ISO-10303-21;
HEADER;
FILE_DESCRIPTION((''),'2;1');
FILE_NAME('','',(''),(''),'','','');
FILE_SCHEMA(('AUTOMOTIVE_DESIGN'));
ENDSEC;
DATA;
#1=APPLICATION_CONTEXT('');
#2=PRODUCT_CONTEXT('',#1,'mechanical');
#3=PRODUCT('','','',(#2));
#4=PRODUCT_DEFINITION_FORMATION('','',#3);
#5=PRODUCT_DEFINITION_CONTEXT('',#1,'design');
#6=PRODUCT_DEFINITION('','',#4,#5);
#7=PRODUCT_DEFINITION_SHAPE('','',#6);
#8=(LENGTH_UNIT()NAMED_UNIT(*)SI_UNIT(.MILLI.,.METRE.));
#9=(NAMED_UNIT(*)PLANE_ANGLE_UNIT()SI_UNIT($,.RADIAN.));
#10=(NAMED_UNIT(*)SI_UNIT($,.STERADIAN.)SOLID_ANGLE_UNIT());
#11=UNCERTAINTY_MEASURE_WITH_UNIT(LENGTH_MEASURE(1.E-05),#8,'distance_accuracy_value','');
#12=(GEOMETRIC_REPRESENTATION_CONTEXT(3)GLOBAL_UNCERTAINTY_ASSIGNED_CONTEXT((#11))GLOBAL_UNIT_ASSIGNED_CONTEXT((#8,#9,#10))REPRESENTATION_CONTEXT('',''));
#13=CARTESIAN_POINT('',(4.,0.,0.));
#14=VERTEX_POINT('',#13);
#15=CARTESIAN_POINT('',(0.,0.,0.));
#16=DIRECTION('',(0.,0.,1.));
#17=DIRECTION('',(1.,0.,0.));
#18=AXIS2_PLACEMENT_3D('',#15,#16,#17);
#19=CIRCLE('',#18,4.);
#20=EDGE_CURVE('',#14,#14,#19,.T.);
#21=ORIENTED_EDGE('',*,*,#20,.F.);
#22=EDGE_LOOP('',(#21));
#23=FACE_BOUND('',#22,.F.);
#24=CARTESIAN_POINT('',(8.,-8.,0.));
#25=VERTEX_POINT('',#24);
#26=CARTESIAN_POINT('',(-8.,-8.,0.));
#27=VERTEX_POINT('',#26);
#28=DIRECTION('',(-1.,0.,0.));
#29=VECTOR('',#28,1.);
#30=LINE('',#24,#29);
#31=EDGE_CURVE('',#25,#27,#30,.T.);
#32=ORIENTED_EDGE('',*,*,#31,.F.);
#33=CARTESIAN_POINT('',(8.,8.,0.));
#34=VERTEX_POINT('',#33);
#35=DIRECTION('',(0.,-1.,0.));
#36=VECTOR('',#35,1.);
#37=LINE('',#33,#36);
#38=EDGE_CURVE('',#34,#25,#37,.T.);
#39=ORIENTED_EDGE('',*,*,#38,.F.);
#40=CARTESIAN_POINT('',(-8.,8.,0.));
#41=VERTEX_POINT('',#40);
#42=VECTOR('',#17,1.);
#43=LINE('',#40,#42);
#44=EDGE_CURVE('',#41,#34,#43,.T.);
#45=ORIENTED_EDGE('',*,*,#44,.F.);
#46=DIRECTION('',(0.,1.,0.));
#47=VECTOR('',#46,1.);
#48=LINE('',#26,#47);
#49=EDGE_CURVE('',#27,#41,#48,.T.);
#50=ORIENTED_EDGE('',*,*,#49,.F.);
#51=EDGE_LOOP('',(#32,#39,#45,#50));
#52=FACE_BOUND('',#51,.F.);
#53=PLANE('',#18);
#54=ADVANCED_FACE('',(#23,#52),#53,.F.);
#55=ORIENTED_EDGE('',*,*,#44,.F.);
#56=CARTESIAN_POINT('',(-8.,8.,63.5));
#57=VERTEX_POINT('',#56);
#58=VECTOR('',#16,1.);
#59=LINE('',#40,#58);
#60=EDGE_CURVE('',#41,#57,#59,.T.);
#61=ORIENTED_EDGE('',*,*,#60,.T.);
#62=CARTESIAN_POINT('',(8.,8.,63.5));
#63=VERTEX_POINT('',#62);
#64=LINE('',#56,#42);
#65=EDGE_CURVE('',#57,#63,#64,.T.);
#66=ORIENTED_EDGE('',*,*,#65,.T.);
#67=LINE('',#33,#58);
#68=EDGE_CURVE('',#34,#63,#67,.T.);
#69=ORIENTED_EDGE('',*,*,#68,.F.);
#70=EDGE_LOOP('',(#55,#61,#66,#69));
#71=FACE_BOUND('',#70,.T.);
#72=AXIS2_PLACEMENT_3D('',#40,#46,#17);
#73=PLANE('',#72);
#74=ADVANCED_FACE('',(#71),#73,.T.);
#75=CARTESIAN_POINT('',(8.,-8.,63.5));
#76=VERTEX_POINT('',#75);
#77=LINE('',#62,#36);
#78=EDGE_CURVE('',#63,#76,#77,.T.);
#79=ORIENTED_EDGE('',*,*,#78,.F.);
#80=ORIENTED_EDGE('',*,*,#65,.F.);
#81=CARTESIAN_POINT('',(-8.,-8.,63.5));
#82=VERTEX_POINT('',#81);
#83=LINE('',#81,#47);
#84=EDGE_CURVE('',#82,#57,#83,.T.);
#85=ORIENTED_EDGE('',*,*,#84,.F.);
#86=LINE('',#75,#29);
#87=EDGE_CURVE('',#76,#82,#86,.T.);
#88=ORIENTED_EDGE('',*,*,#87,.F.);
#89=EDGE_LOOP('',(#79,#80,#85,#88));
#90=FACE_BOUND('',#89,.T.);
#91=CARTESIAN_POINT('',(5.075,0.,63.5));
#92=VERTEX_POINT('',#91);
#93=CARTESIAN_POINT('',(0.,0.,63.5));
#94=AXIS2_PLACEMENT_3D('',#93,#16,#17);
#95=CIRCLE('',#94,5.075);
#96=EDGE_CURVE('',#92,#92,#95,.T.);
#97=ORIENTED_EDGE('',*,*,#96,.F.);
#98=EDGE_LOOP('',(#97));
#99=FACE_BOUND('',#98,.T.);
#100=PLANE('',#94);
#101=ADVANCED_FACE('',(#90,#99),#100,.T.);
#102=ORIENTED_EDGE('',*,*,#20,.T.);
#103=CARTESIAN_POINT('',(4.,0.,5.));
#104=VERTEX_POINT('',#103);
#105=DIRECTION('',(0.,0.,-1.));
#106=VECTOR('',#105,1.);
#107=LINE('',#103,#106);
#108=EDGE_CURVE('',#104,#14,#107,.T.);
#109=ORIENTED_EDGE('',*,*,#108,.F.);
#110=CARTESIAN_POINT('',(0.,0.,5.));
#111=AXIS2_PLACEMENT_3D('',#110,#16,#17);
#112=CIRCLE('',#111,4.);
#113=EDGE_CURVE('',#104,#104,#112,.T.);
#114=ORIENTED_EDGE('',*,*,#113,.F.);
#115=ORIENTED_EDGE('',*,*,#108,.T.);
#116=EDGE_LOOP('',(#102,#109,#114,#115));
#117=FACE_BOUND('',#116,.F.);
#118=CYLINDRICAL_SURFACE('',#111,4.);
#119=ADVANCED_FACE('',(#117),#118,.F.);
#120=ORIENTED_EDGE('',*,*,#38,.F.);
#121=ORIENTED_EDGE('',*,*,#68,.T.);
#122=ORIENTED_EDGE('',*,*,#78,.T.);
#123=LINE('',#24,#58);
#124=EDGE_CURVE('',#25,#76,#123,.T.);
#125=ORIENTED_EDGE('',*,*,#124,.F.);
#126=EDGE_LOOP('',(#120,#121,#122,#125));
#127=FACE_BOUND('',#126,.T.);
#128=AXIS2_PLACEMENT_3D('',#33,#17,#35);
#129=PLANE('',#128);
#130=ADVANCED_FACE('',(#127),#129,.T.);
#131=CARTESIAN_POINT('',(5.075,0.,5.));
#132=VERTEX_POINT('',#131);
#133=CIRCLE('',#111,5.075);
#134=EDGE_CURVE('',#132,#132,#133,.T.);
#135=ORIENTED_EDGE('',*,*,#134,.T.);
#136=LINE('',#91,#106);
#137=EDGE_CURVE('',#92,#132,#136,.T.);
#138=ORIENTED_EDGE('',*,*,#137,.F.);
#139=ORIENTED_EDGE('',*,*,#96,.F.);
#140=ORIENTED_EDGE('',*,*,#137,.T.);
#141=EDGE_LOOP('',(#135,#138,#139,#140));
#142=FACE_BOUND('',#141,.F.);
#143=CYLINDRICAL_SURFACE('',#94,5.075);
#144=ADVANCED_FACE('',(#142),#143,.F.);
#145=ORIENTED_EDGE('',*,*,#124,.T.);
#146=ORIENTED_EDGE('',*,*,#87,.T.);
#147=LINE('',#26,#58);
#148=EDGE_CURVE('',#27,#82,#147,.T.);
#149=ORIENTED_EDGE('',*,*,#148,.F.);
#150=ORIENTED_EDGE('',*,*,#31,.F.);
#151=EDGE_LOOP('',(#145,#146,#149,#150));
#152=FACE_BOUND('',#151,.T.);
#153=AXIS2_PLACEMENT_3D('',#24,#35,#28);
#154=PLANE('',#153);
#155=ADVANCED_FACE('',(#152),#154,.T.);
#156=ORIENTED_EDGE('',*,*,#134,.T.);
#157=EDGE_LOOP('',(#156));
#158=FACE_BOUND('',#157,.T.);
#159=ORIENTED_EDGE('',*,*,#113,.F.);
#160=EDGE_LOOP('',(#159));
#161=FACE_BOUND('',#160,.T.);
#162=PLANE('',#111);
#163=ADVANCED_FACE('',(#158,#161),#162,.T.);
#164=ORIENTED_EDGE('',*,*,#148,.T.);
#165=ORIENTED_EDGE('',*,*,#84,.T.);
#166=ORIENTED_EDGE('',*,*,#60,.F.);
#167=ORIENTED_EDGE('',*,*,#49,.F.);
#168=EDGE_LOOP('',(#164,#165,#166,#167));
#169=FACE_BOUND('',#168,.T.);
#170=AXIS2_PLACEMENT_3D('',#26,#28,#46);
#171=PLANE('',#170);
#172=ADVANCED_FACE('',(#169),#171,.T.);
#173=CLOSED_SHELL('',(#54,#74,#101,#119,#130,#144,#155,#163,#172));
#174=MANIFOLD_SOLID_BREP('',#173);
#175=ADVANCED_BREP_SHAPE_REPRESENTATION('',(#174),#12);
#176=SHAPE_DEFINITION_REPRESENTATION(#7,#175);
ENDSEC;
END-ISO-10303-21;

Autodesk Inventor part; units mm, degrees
ref_plane "YZ Plane" through (0, 0, 0) normal (1, 0, 0) x (0, 1, 0)
ref_plane "XZ Plane" through (0, 0, 0) normal (0, 1, 0) x (-1, 0, 0)
ref_plane "XY Plane" through (0, 0, 0) normal (0, 0, 1) x (1, 0, 0)
sketch "Sketch1" plane through (0, 0, 0) normal (0, 0, 1) x (1, 0, 0)
  line L0 (-8, 8) -> (8, 8)
  line L1 (8, 8) -> (8, -8)
  line L2 (8, -8) -> (-8, -8)
  line L3 (-8, -8) -> (-8, 8)
  line L4 (-8, 8) -> (8, -8) construction
  line L5 (8, 8) -> (-8, -8) construction
  point P0 (0, 0)
  dimension "d0" = 16
  dimension "d1" = 16
extrude "Extrusion1" add sketch "Sketch1" along normal blind 63.5
sketch "Sketch2" plane through (0, 0, 63.5) normal (0, 0, 1) x (1, 0, 0)
  circle A0 centre (0, 0) radius 5.075
  dimension "d4" = 10.15
extrude "Extrusion2" cut sketch "Sketch2" against normal blind 58.5
sketch "Sketch3" plane through (0, 0, 5) normal (0, 0, 1) x (1, 0, 0)
  circle A0 centre (0, 0) radius 4
  dimension "d7" = 8
extrude "Extrusion3" cut sketch "Sketch3" against normal up to surface (5 mm away)
properties part number "holder"
